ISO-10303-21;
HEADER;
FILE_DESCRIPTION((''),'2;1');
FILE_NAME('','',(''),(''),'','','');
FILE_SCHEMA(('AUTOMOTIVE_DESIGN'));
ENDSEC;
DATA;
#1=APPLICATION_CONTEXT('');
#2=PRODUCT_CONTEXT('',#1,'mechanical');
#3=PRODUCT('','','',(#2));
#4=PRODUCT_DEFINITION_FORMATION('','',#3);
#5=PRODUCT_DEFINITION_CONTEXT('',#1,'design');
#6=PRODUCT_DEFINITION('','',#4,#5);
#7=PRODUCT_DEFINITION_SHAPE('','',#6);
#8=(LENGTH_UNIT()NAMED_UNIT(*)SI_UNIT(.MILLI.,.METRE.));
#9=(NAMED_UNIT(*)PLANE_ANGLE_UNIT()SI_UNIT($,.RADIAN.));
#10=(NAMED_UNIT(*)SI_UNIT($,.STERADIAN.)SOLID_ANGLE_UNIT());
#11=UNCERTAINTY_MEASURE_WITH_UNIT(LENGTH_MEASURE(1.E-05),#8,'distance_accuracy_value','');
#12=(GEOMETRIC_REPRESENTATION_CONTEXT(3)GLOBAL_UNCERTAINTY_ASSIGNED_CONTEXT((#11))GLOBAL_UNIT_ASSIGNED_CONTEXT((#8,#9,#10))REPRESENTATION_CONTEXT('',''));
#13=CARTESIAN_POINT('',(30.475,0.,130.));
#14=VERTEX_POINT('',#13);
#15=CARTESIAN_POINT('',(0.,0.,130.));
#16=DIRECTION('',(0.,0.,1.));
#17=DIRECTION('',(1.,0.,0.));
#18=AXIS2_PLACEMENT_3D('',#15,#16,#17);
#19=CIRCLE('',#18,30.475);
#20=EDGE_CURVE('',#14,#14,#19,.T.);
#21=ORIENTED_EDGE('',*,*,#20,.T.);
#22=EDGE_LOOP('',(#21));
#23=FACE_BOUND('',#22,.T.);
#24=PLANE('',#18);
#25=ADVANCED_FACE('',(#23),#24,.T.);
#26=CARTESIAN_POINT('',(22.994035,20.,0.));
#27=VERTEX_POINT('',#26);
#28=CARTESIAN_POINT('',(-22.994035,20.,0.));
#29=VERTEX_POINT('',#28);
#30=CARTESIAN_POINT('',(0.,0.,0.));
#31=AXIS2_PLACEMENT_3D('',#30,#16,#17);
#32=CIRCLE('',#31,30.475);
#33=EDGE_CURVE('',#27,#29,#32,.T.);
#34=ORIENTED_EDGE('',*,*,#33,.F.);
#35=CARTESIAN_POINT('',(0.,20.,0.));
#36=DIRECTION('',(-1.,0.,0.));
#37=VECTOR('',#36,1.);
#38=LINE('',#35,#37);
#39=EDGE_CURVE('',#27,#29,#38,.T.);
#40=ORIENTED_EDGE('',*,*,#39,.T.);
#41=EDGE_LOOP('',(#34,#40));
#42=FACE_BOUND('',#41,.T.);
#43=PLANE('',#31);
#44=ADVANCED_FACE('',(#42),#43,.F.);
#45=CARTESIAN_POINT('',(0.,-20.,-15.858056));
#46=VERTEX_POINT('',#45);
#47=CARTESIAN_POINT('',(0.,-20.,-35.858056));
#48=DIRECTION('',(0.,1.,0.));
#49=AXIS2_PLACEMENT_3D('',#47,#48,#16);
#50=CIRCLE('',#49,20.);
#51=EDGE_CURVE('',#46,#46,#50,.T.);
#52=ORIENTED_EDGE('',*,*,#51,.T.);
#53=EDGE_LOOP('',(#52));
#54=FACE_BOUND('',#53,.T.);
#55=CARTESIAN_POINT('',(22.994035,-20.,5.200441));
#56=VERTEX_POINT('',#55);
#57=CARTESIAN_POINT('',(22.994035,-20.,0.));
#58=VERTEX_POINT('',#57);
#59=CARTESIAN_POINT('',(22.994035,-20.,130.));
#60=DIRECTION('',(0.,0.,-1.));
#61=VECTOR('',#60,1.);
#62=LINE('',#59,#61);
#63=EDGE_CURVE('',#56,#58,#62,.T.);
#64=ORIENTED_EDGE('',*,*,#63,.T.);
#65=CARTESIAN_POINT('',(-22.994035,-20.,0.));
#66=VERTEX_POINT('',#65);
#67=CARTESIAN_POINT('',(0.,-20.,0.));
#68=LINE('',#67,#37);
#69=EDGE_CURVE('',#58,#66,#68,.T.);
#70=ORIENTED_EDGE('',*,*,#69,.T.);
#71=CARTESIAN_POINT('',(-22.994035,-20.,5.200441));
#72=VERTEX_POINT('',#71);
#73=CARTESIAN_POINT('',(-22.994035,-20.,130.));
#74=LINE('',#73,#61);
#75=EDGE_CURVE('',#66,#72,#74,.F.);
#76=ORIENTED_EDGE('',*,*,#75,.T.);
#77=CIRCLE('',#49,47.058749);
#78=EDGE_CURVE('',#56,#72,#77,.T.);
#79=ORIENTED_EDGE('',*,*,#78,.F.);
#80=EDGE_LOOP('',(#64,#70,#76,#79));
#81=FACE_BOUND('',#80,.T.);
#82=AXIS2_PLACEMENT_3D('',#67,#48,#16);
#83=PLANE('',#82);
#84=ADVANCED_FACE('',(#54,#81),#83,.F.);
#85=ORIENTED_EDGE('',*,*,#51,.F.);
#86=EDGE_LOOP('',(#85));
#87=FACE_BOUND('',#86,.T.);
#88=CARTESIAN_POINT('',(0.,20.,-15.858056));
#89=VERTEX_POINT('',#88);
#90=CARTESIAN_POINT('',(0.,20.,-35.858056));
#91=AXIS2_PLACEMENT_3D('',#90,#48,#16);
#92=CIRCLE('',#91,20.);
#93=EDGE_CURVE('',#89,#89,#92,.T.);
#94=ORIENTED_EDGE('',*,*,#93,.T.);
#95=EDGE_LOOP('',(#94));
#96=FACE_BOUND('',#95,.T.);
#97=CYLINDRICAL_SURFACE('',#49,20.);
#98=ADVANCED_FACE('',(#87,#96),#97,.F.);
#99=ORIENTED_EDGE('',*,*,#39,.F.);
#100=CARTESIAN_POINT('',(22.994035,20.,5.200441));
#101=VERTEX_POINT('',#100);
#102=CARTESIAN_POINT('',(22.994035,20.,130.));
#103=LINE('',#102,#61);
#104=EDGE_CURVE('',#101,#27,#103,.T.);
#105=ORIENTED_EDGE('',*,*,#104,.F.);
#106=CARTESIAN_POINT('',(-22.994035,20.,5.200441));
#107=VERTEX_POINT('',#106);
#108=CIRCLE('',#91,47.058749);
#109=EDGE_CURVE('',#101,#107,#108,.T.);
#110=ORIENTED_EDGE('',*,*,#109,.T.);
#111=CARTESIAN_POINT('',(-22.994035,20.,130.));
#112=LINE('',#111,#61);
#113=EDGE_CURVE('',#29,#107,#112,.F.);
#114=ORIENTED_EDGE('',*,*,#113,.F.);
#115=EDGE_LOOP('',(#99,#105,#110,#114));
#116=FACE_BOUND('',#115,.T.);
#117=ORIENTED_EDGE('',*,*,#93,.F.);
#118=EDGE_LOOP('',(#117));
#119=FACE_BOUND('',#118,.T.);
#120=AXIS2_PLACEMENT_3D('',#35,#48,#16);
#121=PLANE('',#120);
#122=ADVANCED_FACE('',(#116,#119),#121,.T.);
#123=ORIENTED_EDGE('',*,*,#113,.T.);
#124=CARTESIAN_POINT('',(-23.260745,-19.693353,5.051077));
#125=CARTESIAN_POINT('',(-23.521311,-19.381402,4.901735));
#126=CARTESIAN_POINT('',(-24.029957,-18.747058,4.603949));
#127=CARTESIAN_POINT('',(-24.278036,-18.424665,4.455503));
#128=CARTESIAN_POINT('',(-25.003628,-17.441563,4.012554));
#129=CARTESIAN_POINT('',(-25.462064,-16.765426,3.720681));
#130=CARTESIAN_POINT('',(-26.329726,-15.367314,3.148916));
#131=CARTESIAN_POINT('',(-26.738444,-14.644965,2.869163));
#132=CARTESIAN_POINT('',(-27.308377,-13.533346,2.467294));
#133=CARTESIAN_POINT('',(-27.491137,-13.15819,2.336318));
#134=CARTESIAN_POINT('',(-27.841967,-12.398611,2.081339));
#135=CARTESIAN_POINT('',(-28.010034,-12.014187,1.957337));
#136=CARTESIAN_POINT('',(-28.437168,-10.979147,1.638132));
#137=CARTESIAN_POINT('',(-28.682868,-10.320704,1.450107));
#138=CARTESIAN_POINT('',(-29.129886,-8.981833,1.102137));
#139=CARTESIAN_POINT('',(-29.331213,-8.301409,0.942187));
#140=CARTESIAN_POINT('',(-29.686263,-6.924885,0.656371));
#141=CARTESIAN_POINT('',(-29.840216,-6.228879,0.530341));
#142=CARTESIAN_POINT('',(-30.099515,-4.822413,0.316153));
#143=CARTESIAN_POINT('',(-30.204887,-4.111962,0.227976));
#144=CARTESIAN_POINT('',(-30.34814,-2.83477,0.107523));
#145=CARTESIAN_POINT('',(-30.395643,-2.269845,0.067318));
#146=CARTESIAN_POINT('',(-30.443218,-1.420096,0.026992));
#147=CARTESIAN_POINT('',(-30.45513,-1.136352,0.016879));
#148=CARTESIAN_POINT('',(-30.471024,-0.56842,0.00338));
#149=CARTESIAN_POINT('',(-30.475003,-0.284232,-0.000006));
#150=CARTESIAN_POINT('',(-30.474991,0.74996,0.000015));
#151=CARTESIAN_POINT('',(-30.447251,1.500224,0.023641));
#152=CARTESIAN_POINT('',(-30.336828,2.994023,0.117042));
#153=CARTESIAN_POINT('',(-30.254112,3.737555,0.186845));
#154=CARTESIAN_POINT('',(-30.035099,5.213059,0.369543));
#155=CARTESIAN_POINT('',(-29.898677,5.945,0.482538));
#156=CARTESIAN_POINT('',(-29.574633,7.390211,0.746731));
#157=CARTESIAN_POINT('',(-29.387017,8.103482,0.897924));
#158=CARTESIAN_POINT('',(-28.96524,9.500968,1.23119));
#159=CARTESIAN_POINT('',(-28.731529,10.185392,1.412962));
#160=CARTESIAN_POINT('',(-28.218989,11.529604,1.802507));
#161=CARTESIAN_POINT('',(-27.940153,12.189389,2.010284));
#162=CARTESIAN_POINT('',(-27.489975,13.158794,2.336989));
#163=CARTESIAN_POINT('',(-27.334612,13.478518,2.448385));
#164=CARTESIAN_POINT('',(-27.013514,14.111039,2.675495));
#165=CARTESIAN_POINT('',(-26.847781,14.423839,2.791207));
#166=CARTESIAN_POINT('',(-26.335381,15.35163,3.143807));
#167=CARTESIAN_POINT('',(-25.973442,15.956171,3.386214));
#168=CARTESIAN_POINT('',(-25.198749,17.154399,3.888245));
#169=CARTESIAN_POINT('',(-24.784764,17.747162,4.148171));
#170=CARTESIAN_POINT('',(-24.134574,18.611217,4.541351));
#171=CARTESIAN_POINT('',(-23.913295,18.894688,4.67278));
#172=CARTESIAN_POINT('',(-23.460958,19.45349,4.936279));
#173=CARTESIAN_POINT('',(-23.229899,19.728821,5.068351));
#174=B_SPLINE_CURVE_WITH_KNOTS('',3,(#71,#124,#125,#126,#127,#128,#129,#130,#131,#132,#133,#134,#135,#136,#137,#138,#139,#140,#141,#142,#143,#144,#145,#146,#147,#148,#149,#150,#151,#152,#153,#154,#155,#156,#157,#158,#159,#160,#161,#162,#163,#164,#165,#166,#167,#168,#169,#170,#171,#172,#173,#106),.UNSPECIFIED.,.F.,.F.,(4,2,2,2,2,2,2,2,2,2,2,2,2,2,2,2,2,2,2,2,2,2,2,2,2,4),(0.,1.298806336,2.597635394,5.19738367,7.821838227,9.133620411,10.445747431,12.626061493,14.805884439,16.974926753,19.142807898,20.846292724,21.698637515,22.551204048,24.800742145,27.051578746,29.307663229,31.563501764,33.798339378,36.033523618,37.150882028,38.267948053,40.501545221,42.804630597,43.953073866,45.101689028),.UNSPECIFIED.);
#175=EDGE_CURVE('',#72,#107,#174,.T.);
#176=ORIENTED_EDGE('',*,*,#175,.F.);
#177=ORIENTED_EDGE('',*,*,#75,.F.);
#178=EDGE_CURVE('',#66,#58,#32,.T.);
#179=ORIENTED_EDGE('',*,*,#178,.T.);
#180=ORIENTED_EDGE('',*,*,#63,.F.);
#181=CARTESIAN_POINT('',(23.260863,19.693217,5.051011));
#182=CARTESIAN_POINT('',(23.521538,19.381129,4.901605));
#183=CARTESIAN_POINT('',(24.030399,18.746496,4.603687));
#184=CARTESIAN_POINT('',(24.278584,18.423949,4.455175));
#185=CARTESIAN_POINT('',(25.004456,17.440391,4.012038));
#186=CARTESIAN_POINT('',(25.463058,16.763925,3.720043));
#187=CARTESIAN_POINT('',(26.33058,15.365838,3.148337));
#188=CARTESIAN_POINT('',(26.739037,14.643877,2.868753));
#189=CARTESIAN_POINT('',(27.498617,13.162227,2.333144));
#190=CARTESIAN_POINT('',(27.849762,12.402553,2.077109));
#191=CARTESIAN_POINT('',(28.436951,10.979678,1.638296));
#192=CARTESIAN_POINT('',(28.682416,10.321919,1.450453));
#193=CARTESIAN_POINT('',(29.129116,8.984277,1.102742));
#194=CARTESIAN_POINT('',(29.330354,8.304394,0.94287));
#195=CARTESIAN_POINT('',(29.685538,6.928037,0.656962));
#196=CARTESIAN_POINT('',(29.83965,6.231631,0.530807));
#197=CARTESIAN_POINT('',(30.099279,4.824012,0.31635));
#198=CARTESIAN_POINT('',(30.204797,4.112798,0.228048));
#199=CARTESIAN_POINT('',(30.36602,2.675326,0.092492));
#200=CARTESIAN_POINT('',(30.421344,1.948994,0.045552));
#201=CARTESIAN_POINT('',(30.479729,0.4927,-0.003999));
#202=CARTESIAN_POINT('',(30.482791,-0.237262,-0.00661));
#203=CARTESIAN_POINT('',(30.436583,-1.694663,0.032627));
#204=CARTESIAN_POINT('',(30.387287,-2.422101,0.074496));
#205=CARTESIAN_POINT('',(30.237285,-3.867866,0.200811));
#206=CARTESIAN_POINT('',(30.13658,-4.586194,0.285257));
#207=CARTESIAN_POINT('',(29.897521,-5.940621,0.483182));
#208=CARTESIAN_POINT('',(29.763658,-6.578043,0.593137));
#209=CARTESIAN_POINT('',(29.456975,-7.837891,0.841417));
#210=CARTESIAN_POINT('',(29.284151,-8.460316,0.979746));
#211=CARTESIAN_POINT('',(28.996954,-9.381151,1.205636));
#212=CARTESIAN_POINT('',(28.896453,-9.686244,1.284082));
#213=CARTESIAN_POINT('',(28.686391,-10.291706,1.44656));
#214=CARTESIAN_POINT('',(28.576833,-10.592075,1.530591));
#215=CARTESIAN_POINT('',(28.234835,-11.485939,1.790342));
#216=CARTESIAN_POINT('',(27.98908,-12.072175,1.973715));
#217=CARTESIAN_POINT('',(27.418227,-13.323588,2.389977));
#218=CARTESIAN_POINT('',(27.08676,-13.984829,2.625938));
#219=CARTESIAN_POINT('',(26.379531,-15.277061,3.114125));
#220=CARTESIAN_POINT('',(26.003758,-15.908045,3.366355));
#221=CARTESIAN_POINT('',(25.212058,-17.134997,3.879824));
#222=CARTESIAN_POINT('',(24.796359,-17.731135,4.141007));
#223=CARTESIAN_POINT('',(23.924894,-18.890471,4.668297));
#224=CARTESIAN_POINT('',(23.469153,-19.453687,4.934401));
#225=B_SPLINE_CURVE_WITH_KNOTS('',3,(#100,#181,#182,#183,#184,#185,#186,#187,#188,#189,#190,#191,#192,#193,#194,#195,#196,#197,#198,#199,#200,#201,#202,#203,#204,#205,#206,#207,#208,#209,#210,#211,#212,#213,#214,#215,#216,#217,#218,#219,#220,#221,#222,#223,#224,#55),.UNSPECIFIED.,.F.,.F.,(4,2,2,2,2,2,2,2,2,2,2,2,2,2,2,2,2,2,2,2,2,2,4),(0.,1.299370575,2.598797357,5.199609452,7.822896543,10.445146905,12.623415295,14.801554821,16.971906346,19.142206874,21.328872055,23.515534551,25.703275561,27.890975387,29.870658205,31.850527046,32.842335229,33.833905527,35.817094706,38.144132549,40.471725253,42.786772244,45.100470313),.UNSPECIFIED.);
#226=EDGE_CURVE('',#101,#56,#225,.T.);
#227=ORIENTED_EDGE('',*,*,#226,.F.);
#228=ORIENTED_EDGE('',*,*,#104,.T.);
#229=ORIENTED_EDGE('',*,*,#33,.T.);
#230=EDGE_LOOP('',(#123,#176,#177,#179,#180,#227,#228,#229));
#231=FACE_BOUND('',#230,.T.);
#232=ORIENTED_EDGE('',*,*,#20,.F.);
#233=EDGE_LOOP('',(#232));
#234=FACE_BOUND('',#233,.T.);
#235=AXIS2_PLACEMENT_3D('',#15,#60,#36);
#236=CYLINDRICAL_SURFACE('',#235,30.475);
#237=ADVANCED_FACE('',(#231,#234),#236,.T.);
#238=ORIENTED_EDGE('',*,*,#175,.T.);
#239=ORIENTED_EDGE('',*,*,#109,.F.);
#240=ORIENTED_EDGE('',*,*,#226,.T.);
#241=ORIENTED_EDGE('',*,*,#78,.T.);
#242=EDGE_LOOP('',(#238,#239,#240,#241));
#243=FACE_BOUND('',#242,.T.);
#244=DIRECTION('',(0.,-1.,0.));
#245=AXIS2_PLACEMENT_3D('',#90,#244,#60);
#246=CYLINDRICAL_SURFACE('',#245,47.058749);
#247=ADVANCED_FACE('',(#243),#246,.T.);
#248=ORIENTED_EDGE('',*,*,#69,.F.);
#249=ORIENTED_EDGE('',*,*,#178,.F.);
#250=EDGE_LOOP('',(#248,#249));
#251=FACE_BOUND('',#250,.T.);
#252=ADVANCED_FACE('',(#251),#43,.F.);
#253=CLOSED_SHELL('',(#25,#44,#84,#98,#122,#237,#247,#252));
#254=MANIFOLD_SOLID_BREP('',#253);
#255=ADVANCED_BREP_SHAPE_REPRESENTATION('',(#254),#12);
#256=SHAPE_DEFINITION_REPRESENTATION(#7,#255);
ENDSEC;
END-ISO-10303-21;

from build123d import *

# Parameters (mm, degrees)
SKETCH1_R           = 30.475
BOSS_EXTRUDE1_DEPTH = 130
SKETCH2_R           = 47.05874864
BOSS_EXTRUDE2_DEPTH = 20
SKETCH8_R           = 20
CUT_EXTRUDE1_DEPTH  = 40


with BuildPart() as part:
    # Sketch1 → Boss-Extrude1 (new body)
    with BuildSketch(Plane.XY):
        Circle(SKETCH1_R)
    extrude(amount=BOSS_EXTRUDE1_DEPTH)

    # Sketch2 → Boss-Extrude2 (add, symmetric)
    with BuildSketch(Plane(origin=(0, 0, 0), x_dir=(1, 0, 0), z_dir=(0, 1, 0))):
        with Locations((0, 35.858056257)):
            Circle(SKETCH2_R)
    extrude(amount=BOSS_EXTRUDE2_DEPTH, both=True)

    # Sketch8 → Cut-Extrude1 (cut)
    with BuildSketch(Plane(origin=(0, 20, 0), x_dir=(1, 0, 0), z_dir=(0, 1, 0))):
        with Locations(Location((0, 35.858056257, 0), (0, 0, 270))):
            Circle(SKETCH8_R)
    extrude(amount=-CUT_EXTRUDE1_DEPTH, mode=Mode.SUBTRACT)


solid = part.part
